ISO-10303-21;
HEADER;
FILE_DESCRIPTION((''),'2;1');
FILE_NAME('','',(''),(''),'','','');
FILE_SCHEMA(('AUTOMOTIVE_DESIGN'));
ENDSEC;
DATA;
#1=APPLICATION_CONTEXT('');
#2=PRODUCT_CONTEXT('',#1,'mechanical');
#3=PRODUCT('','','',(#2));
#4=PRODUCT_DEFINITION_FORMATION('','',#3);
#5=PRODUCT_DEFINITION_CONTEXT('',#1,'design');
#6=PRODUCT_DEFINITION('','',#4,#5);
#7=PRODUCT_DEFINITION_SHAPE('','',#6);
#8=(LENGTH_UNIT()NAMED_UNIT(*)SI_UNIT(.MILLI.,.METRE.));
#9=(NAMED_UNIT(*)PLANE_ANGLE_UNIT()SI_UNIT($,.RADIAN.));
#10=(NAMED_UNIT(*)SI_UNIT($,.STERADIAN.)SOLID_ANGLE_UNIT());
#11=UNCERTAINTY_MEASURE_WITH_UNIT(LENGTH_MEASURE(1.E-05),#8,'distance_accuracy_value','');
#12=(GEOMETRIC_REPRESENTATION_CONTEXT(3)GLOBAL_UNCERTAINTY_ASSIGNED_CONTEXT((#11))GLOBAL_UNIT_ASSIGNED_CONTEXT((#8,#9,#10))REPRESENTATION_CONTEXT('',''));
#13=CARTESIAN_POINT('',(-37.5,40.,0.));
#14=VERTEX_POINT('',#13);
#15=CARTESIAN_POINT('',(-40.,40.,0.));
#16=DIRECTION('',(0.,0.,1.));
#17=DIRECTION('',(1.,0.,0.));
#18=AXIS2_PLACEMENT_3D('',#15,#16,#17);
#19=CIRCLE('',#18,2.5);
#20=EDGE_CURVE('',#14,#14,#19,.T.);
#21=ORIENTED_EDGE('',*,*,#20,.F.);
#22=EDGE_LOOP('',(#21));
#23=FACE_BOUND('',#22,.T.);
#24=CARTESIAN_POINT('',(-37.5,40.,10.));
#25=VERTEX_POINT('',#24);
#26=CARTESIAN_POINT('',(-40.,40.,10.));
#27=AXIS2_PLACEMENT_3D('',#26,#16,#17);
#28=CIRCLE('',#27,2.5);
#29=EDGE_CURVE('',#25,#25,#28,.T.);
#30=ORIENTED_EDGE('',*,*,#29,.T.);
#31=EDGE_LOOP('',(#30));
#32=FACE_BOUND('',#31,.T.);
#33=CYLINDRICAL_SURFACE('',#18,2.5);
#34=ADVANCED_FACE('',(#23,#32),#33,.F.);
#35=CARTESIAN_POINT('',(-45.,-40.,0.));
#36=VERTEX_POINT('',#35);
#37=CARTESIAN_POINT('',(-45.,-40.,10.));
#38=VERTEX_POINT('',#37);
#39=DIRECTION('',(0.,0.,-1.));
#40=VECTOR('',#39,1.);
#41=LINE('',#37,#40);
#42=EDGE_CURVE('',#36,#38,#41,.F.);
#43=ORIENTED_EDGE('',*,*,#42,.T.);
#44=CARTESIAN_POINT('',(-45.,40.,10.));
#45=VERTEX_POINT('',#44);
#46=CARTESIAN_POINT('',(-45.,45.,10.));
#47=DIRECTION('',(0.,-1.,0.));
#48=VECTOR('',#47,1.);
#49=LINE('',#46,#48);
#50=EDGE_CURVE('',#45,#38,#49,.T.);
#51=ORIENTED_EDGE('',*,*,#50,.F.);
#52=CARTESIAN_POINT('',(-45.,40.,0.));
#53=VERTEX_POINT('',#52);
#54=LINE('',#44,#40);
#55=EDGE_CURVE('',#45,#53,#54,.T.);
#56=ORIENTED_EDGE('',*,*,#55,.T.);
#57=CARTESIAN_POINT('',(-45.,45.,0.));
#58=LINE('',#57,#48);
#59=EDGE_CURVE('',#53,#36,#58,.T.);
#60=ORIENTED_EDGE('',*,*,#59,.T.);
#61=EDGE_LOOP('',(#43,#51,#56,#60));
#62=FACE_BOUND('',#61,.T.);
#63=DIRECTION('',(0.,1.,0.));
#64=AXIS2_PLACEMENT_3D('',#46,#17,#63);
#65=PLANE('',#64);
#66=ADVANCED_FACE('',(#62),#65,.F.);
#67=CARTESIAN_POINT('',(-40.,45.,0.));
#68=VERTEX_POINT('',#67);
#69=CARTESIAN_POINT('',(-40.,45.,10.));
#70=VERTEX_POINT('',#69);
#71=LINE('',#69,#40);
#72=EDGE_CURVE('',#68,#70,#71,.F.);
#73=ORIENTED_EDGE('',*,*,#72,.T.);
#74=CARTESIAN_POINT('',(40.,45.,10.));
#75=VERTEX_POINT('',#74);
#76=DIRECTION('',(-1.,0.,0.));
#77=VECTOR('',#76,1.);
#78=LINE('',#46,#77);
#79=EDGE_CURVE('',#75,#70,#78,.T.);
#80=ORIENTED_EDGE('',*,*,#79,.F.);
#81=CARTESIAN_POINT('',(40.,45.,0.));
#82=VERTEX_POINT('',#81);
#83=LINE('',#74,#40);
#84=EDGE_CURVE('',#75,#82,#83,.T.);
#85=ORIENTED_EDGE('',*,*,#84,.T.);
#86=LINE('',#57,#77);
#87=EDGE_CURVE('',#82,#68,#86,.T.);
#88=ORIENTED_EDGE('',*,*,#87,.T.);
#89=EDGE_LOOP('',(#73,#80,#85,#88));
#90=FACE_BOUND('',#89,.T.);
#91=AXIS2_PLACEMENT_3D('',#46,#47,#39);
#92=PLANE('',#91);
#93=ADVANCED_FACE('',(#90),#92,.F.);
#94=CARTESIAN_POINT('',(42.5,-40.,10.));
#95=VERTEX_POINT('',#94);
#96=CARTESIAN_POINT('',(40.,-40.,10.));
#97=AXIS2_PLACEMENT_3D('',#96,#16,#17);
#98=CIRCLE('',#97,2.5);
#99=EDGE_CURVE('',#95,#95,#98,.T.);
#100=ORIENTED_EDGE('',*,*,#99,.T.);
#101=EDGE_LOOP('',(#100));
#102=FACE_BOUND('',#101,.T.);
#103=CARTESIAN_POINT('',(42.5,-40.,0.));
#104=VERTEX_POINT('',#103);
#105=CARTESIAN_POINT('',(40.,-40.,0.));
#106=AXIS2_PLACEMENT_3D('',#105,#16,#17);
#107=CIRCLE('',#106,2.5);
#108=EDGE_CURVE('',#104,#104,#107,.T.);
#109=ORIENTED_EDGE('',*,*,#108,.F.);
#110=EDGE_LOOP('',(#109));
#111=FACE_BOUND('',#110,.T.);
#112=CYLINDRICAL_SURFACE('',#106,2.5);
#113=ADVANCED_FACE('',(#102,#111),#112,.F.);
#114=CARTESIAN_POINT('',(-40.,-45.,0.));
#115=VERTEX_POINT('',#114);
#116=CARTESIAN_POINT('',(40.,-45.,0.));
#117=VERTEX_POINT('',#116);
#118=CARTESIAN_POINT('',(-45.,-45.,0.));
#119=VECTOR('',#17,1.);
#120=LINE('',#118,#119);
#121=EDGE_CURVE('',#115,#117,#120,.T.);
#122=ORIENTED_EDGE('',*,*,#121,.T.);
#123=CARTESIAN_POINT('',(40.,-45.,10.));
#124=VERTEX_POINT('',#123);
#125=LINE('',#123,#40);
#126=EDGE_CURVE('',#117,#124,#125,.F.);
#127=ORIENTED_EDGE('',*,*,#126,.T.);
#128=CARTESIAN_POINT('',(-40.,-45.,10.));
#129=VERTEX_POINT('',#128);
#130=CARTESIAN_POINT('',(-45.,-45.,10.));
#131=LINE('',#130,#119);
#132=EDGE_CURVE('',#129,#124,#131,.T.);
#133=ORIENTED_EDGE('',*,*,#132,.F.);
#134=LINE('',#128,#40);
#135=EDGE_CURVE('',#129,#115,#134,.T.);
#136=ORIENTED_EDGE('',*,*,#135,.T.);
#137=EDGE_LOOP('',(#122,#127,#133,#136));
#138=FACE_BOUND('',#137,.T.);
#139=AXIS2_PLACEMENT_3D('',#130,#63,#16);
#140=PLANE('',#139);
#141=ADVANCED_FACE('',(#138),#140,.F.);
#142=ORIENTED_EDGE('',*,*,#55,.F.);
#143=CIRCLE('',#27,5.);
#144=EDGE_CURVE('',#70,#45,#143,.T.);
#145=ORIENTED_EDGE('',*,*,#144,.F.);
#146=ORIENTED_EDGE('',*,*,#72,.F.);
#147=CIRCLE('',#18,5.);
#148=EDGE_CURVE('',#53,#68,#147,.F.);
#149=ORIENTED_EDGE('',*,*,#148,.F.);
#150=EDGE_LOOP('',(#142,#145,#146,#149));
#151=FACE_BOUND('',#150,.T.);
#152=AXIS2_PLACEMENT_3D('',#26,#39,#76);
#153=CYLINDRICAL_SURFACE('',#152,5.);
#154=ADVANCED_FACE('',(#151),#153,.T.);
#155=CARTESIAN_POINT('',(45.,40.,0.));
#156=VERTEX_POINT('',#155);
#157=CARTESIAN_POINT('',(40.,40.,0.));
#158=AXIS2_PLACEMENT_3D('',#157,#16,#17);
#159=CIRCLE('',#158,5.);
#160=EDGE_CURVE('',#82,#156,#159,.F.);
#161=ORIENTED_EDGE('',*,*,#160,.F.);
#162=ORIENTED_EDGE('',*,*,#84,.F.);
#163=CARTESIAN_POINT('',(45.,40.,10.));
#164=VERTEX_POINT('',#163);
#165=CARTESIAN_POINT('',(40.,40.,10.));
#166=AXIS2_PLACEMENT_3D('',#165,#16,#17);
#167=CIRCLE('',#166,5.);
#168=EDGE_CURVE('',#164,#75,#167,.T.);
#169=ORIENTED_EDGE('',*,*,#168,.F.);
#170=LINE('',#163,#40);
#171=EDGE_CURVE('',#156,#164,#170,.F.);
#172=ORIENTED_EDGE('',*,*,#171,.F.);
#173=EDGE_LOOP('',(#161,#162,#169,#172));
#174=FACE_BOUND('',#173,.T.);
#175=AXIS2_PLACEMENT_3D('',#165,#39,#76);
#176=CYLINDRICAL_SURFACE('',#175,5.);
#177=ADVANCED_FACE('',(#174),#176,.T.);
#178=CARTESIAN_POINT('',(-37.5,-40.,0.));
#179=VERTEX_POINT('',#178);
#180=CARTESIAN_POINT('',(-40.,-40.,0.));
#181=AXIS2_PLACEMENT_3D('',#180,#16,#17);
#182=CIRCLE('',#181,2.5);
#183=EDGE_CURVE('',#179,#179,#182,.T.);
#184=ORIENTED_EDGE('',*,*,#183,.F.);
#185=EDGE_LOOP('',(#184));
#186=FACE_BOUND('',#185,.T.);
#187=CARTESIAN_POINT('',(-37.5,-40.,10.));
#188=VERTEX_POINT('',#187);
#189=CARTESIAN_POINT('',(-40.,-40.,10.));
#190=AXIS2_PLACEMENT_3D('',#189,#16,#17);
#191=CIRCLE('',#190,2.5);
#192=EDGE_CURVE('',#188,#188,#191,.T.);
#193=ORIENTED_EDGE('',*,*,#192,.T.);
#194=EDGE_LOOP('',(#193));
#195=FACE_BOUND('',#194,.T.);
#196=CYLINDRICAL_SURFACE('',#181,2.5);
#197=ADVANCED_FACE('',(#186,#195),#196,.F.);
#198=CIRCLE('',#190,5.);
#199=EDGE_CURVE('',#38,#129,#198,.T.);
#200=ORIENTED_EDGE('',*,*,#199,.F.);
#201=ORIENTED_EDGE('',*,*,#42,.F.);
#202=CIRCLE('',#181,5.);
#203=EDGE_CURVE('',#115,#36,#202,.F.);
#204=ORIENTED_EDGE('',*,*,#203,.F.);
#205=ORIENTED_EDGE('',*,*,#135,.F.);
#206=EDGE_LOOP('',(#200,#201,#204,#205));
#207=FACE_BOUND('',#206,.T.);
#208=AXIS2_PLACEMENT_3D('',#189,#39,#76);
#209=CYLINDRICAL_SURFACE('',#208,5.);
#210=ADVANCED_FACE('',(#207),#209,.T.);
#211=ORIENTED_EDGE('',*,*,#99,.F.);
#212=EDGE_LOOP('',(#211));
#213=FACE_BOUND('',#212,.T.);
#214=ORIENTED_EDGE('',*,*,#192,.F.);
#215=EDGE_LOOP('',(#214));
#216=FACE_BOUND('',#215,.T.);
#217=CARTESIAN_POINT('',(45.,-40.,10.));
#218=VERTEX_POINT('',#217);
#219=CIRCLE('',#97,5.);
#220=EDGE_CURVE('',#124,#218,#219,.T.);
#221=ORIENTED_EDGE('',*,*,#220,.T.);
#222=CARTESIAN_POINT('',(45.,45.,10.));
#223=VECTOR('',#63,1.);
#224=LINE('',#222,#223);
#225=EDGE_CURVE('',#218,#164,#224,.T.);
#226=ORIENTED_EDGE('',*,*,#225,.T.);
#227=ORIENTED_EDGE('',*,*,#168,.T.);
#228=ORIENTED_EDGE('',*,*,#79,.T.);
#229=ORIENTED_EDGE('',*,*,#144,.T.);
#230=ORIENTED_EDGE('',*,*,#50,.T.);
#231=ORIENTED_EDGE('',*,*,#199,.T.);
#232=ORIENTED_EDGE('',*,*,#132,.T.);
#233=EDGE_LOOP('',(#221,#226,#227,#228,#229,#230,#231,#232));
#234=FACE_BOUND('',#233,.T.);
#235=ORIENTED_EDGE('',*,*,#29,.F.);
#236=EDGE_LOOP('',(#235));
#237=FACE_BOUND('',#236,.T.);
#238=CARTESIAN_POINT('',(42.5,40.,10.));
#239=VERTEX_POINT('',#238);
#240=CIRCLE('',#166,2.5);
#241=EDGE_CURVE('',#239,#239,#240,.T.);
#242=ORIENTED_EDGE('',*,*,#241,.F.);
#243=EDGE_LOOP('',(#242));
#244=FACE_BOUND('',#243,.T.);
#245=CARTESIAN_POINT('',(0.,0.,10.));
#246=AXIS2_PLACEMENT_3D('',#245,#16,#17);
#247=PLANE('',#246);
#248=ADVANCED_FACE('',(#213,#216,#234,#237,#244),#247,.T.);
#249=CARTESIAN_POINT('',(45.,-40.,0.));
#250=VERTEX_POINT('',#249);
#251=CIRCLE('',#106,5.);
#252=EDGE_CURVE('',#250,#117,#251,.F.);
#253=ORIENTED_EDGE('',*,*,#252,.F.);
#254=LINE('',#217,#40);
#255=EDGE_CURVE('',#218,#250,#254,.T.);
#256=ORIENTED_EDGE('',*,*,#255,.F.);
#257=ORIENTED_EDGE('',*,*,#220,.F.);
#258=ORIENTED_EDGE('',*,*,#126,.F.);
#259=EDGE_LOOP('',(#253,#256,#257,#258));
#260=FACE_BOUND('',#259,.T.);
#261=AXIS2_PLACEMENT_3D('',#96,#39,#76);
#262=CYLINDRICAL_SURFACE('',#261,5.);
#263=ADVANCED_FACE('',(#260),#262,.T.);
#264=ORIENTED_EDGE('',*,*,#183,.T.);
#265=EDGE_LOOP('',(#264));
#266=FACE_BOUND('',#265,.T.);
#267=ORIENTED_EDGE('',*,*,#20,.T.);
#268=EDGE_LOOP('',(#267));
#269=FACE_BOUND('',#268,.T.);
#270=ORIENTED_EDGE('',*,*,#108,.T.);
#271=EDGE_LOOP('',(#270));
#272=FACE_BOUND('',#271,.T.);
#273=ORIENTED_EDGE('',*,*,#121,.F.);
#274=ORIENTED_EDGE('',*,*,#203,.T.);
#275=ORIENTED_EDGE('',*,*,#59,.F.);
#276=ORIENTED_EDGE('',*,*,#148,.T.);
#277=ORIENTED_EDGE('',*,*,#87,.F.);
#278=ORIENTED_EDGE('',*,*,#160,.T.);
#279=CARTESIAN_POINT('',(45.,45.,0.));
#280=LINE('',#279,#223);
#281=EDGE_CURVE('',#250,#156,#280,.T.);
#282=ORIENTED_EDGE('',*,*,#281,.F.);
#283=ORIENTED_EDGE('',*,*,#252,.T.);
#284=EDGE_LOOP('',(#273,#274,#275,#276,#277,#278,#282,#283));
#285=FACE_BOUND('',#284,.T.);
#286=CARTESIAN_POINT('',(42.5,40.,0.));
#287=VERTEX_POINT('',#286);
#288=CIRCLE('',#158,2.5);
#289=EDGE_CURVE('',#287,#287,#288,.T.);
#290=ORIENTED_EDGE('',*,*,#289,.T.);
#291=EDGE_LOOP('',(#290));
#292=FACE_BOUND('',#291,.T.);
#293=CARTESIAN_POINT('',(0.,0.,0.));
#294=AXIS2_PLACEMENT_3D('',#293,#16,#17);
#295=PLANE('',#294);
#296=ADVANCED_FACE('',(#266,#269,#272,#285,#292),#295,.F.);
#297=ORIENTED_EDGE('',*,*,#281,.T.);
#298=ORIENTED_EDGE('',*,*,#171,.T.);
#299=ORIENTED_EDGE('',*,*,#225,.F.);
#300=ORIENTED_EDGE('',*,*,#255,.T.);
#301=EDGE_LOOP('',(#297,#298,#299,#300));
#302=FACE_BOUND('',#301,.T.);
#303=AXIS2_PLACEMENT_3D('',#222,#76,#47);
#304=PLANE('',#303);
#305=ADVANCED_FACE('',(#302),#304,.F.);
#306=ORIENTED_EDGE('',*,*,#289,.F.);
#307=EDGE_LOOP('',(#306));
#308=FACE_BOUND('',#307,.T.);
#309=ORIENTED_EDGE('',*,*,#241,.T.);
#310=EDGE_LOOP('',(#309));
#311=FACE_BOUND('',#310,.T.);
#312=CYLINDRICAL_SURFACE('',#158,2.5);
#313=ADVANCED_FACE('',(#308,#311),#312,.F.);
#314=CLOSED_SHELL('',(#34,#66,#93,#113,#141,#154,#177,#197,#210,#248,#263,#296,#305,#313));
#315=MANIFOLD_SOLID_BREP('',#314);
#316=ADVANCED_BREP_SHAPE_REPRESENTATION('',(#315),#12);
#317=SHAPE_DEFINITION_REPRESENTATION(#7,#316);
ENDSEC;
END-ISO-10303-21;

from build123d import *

# Parameters (mm, degrees)
SKETCH1_W           = 90
SKETCH1_H           = 90
BOSS_EXTRUDE1_DEPTH = 10
FILLET1_R           = 5
SKETCH2_R           = 2.5
CUT_EXTRUDE1_DEPTH  = 10


with BuildPart() as part:
    # Sketch1 → Boss-Extrude1 (new body)
    with BuildSketch(Plane.XY):
        Rectangle(SKETCH1_W, SKETCH1_H)
    extrude(amount=BOSS_EXTRUDE1_DEPTH)

    # Fillet1
    fillet1_edges = [part.edges().sort_by_distance(p)[0] for p in [
        (45, -45, 5),
        (-45, -45, 5),
        (-45, 45, 5),
        (45, 45, 5),
    ]]
    fillet(fillet1_edges, radius=FILLET1_R)

    # Sketch2 → Cut-Extrude1 (cut)
    with BuildSketch(Plane.XY.offset(10)):
        with Locations((-40, 40)):
            Circle(SKETCH2_R)
        with Locations((40, 40)):
            Circle(SKETCH2_R)
        with Locations((40, -40)):
            Circle(SKETCH2_R)
        with Locations((-40, -40)):
            Circle(SKETCH2_R)
    extrude(amount=-CUT_EXTRUDE1_DEPTH, mode=Mode.SUBTRACT)


solid = part.part
